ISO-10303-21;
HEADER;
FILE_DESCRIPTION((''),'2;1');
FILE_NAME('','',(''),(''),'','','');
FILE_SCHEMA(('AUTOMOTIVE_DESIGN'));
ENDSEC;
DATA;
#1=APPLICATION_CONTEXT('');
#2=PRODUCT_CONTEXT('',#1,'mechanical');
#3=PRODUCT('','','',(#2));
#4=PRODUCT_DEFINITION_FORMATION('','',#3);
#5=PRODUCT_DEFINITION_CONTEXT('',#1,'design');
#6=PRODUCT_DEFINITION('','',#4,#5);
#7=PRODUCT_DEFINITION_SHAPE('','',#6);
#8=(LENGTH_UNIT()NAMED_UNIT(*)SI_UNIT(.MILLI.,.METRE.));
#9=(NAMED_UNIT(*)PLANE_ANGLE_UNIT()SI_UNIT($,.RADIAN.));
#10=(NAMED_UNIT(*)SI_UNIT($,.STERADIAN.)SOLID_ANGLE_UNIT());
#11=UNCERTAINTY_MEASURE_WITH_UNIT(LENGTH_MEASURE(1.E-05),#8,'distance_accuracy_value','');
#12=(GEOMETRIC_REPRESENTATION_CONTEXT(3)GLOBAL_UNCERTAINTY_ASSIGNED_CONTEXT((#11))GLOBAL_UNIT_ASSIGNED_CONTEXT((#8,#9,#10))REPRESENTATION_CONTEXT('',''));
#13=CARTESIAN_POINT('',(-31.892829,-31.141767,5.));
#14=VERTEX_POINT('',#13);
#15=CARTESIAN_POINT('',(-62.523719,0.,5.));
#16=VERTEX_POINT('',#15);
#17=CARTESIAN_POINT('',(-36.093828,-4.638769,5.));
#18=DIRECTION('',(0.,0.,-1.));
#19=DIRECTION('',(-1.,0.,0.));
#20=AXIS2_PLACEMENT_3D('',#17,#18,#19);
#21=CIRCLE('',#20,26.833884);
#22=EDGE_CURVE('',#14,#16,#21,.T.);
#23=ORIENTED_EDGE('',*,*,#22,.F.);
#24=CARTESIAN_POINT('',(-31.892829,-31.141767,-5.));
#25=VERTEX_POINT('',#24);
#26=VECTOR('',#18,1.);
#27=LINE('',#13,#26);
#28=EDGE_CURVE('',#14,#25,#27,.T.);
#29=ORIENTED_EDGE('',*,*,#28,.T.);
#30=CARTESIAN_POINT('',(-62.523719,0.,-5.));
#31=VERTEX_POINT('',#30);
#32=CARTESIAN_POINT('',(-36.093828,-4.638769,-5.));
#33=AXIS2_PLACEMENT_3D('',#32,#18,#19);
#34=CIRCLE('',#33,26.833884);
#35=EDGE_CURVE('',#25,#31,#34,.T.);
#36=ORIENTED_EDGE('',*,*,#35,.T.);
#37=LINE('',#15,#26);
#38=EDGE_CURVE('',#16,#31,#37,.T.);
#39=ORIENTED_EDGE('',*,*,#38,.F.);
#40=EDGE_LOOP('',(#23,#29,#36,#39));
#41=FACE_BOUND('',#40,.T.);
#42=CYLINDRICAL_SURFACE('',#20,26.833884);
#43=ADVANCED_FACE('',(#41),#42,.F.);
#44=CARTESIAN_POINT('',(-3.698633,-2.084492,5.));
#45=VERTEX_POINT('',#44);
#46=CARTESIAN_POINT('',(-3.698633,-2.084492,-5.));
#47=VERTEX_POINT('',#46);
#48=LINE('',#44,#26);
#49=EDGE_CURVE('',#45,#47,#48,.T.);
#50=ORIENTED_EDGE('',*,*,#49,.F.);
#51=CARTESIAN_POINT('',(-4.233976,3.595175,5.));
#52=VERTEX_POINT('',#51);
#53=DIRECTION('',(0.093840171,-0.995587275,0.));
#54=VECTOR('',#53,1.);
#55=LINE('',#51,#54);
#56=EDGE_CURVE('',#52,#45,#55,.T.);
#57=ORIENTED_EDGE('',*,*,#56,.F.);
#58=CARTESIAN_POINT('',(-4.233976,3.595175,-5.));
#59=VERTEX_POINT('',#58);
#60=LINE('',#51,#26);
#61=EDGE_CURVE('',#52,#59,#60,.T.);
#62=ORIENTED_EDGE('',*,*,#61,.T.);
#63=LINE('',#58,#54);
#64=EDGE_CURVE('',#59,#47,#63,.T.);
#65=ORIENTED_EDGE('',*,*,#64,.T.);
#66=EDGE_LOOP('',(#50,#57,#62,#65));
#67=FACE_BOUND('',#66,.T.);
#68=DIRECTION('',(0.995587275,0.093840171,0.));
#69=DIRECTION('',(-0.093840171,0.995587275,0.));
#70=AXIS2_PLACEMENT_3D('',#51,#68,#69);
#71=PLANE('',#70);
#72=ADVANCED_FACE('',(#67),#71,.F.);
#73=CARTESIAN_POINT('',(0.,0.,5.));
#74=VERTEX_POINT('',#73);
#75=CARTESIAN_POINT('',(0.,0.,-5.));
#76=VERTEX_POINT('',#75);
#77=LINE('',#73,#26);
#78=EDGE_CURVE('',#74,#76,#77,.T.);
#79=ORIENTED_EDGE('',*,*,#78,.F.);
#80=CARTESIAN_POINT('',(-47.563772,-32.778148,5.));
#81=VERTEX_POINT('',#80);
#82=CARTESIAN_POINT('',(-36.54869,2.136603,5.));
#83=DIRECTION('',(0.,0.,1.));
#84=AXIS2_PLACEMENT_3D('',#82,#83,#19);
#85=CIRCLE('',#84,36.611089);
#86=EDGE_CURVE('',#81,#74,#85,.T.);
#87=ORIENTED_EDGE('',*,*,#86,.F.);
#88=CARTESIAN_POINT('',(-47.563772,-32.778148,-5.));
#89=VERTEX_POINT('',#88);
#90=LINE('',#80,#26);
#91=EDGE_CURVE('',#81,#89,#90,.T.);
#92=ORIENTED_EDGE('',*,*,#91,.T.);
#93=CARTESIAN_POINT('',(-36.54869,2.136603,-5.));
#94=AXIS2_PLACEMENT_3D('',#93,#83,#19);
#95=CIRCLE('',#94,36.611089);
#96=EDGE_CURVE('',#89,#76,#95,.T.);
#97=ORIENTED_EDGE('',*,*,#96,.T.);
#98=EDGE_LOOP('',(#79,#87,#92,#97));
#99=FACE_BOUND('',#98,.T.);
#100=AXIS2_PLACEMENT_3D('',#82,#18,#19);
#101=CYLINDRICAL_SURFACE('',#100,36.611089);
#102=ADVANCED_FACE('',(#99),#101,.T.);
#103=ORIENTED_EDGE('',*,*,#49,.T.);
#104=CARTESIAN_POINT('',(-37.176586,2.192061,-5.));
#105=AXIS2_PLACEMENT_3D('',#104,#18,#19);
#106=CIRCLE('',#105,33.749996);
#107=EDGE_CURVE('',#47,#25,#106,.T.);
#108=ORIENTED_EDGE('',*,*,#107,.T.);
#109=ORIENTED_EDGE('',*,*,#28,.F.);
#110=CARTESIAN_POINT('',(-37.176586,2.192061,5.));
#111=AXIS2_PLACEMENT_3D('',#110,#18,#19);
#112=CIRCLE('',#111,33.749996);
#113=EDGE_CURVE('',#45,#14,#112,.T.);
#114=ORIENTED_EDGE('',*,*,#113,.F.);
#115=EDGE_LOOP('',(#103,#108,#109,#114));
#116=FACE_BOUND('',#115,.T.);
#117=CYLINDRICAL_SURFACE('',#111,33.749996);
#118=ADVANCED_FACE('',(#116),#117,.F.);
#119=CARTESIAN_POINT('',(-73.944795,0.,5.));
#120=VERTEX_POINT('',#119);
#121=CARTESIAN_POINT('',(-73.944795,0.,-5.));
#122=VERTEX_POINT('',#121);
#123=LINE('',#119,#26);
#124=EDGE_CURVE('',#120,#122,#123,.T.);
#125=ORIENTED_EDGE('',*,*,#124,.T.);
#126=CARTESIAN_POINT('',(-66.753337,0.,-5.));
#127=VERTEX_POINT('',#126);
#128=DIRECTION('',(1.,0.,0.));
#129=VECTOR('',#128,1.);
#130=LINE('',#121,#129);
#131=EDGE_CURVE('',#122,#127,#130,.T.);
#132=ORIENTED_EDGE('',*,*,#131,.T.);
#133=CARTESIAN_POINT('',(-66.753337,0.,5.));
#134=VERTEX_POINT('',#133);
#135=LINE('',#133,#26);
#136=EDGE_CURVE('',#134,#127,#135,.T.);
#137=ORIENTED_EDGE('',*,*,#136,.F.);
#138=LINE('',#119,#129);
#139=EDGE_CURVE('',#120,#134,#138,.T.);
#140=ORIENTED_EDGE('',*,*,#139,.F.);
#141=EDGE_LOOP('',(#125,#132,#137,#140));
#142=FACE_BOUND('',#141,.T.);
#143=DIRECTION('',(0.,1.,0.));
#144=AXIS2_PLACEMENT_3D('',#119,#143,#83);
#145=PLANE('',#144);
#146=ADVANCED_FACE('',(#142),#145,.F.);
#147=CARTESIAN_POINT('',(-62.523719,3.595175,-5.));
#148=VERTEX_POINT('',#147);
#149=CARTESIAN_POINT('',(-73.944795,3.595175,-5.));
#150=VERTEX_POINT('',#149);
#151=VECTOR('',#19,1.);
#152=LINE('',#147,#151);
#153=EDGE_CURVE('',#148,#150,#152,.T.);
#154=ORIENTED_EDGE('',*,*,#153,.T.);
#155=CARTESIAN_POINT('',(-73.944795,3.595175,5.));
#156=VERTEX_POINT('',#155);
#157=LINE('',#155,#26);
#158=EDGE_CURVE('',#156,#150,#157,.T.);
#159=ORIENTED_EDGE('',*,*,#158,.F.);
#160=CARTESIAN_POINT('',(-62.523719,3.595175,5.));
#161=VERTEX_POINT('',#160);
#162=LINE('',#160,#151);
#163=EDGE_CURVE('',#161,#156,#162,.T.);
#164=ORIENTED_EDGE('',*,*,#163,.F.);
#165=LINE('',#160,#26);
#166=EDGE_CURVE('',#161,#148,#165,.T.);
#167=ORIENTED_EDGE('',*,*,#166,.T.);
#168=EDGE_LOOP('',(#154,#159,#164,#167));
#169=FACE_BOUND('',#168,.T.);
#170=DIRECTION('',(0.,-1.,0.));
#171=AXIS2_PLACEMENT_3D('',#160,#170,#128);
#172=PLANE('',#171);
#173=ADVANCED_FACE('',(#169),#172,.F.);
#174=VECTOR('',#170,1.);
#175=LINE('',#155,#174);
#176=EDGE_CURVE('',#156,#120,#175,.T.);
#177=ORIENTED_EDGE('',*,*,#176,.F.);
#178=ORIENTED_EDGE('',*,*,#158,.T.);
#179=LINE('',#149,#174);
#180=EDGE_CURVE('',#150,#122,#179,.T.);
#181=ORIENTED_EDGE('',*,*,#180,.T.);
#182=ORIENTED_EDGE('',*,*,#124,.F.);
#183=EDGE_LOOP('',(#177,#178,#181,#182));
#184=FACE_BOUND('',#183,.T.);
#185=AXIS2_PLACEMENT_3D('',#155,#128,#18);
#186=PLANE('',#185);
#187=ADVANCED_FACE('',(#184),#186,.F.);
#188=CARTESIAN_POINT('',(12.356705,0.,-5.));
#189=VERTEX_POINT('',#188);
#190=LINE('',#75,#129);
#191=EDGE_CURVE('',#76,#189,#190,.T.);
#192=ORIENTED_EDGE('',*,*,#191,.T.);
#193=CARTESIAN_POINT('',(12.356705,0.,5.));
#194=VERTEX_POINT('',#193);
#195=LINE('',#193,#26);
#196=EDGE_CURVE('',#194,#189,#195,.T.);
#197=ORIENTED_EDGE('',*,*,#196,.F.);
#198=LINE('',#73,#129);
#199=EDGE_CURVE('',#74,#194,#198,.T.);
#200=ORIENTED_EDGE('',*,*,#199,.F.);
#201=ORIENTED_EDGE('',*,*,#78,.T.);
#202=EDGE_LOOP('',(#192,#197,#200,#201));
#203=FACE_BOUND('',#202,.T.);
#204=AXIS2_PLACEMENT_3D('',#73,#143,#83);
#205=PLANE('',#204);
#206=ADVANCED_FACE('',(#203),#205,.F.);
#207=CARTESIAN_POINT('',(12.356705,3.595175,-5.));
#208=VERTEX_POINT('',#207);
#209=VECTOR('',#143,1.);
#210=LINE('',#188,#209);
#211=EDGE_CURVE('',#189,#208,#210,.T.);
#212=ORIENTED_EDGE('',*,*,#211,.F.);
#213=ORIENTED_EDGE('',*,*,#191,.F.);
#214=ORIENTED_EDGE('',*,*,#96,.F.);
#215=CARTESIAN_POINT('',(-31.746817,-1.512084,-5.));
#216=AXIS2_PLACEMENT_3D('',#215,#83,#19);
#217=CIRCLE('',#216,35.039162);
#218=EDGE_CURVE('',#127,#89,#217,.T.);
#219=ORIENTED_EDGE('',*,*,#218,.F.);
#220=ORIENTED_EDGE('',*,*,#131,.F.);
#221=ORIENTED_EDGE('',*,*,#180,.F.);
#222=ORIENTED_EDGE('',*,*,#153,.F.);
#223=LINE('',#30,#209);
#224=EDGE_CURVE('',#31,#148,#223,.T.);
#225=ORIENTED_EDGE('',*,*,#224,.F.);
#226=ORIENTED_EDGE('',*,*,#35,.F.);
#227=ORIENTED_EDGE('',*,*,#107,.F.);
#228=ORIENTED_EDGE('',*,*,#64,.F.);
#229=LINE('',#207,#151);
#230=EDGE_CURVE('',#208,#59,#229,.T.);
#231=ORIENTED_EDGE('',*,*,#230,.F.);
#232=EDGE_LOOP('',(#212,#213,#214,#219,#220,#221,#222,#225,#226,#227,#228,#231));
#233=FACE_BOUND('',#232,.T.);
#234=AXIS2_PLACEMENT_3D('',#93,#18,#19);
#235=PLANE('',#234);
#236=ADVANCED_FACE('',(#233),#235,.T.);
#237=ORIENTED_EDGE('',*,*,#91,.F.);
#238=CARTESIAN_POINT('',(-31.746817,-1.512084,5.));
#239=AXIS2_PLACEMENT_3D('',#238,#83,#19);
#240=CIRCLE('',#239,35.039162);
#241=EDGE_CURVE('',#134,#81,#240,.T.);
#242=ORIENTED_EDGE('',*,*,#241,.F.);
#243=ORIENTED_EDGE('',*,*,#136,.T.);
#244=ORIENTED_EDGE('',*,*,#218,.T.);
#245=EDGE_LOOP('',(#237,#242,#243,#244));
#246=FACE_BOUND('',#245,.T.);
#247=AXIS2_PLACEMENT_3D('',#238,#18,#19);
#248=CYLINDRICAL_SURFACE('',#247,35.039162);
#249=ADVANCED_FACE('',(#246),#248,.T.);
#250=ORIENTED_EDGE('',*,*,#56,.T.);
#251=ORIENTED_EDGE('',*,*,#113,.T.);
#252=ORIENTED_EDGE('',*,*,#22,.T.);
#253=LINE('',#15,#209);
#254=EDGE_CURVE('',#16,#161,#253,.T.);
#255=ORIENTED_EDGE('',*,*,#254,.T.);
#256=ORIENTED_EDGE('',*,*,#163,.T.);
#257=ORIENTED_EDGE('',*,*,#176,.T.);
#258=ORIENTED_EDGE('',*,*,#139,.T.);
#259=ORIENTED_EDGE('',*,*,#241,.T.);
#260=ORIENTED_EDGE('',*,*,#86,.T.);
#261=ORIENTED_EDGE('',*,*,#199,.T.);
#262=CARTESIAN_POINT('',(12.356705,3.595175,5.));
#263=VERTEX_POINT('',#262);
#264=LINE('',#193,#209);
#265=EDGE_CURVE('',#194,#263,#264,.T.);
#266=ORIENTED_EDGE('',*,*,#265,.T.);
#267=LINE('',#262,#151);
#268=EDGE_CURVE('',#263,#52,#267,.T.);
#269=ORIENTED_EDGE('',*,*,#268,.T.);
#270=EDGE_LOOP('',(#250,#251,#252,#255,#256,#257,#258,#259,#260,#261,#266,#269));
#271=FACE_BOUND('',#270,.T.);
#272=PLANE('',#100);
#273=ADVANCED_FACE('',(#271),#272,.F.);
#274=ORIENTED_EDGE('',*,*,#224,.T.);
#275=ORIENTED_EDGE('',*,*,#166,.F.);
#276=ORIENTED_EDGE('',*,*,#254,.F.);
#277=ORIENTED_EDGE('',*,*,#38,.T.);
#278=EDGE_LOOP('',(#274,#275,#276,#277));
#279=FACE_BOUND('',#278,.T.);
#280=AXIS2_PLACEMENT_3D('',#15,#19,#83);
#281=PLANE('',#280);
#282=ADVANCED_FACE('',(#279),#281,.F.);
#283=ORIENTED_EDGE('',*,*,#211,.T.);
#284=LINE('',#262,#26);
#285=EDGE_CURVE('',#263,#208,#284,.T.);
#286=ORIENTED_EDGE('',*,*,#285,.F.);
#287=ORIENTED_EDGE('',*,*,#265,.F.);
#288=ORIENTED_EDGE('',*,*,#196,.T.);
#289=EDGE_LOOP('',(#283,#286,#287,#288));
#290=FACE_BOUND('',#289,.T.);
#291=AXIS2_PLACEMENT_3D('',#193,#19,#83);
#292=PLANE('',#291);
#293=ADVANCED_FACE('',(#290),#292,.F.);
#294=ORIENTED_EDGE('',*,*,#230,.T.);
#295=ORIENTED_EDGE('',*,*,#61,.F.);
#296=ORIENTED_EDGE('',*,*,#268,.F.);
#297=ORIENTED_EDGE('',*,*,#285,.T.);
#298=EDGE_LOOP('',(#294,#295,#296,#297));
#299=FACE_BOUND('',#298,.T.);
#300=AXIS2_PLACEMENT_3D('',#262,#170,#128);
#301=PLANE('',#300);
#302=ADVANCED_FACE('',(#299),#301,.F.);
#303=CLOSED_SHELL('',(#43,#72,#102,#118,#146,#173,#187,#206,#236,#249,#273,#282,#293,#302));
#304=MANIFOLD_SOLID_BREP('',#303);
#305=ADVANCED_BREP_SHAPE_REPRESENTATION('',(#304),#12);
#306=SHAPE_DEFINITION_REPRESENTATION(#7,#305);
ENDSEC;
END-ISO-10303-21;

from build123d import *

# Parameters (mm, degrees)
EXTRUDE_1_DEPTH = 5


with BuildPart() as part:
    # 스케치1 → 보스-돌출1 (new, symmetric)
    with BuildSketch(Plane.XY):
        with BuildLine():
            Line((0, 0), (12.356704667, 0))
            Line((12.356704667, 0), (12.356704667, 3.595174958))
            Line((12.356704667, 3.595174958), (-4.233976366, 3.595174958))
            Line((-4.233976366, 3.595174958), (-3.698633078, -2.084492479))
            ThreePointArc((-3.698633078, -2.084492479), (-12.954718886, -21.310351029), (-31.892829031, -31.141767286))
            ThreePointArc((-31.892829031, -31.141767286), (-55.224518939, -23.45562289), (-62.523719203, 0))
            Line((-62.523719203, 0), (-62.523719203, 3.595174958))
            Line((-62.523719203, 3.595174958), (-73.944795268, 3.595174958))
            Line((-73.944795268, 3.595174958), (-73.944795268, 0))
            Line((-73.944795268, 0), (-66.753336801, 0))
            ThreePointArc((-66.753336801, 0), (-61.985172369, -19.214758492), (-47.563771697, -32.778148135))
            ThreePointArc((-47.563771697, -32.778148135), (-15.773872786, -28.009355466), (0, 0))
        make_face()
    extrude(amount=EXTRUDE_1_DEPTH, both=True)


solid = part.part
